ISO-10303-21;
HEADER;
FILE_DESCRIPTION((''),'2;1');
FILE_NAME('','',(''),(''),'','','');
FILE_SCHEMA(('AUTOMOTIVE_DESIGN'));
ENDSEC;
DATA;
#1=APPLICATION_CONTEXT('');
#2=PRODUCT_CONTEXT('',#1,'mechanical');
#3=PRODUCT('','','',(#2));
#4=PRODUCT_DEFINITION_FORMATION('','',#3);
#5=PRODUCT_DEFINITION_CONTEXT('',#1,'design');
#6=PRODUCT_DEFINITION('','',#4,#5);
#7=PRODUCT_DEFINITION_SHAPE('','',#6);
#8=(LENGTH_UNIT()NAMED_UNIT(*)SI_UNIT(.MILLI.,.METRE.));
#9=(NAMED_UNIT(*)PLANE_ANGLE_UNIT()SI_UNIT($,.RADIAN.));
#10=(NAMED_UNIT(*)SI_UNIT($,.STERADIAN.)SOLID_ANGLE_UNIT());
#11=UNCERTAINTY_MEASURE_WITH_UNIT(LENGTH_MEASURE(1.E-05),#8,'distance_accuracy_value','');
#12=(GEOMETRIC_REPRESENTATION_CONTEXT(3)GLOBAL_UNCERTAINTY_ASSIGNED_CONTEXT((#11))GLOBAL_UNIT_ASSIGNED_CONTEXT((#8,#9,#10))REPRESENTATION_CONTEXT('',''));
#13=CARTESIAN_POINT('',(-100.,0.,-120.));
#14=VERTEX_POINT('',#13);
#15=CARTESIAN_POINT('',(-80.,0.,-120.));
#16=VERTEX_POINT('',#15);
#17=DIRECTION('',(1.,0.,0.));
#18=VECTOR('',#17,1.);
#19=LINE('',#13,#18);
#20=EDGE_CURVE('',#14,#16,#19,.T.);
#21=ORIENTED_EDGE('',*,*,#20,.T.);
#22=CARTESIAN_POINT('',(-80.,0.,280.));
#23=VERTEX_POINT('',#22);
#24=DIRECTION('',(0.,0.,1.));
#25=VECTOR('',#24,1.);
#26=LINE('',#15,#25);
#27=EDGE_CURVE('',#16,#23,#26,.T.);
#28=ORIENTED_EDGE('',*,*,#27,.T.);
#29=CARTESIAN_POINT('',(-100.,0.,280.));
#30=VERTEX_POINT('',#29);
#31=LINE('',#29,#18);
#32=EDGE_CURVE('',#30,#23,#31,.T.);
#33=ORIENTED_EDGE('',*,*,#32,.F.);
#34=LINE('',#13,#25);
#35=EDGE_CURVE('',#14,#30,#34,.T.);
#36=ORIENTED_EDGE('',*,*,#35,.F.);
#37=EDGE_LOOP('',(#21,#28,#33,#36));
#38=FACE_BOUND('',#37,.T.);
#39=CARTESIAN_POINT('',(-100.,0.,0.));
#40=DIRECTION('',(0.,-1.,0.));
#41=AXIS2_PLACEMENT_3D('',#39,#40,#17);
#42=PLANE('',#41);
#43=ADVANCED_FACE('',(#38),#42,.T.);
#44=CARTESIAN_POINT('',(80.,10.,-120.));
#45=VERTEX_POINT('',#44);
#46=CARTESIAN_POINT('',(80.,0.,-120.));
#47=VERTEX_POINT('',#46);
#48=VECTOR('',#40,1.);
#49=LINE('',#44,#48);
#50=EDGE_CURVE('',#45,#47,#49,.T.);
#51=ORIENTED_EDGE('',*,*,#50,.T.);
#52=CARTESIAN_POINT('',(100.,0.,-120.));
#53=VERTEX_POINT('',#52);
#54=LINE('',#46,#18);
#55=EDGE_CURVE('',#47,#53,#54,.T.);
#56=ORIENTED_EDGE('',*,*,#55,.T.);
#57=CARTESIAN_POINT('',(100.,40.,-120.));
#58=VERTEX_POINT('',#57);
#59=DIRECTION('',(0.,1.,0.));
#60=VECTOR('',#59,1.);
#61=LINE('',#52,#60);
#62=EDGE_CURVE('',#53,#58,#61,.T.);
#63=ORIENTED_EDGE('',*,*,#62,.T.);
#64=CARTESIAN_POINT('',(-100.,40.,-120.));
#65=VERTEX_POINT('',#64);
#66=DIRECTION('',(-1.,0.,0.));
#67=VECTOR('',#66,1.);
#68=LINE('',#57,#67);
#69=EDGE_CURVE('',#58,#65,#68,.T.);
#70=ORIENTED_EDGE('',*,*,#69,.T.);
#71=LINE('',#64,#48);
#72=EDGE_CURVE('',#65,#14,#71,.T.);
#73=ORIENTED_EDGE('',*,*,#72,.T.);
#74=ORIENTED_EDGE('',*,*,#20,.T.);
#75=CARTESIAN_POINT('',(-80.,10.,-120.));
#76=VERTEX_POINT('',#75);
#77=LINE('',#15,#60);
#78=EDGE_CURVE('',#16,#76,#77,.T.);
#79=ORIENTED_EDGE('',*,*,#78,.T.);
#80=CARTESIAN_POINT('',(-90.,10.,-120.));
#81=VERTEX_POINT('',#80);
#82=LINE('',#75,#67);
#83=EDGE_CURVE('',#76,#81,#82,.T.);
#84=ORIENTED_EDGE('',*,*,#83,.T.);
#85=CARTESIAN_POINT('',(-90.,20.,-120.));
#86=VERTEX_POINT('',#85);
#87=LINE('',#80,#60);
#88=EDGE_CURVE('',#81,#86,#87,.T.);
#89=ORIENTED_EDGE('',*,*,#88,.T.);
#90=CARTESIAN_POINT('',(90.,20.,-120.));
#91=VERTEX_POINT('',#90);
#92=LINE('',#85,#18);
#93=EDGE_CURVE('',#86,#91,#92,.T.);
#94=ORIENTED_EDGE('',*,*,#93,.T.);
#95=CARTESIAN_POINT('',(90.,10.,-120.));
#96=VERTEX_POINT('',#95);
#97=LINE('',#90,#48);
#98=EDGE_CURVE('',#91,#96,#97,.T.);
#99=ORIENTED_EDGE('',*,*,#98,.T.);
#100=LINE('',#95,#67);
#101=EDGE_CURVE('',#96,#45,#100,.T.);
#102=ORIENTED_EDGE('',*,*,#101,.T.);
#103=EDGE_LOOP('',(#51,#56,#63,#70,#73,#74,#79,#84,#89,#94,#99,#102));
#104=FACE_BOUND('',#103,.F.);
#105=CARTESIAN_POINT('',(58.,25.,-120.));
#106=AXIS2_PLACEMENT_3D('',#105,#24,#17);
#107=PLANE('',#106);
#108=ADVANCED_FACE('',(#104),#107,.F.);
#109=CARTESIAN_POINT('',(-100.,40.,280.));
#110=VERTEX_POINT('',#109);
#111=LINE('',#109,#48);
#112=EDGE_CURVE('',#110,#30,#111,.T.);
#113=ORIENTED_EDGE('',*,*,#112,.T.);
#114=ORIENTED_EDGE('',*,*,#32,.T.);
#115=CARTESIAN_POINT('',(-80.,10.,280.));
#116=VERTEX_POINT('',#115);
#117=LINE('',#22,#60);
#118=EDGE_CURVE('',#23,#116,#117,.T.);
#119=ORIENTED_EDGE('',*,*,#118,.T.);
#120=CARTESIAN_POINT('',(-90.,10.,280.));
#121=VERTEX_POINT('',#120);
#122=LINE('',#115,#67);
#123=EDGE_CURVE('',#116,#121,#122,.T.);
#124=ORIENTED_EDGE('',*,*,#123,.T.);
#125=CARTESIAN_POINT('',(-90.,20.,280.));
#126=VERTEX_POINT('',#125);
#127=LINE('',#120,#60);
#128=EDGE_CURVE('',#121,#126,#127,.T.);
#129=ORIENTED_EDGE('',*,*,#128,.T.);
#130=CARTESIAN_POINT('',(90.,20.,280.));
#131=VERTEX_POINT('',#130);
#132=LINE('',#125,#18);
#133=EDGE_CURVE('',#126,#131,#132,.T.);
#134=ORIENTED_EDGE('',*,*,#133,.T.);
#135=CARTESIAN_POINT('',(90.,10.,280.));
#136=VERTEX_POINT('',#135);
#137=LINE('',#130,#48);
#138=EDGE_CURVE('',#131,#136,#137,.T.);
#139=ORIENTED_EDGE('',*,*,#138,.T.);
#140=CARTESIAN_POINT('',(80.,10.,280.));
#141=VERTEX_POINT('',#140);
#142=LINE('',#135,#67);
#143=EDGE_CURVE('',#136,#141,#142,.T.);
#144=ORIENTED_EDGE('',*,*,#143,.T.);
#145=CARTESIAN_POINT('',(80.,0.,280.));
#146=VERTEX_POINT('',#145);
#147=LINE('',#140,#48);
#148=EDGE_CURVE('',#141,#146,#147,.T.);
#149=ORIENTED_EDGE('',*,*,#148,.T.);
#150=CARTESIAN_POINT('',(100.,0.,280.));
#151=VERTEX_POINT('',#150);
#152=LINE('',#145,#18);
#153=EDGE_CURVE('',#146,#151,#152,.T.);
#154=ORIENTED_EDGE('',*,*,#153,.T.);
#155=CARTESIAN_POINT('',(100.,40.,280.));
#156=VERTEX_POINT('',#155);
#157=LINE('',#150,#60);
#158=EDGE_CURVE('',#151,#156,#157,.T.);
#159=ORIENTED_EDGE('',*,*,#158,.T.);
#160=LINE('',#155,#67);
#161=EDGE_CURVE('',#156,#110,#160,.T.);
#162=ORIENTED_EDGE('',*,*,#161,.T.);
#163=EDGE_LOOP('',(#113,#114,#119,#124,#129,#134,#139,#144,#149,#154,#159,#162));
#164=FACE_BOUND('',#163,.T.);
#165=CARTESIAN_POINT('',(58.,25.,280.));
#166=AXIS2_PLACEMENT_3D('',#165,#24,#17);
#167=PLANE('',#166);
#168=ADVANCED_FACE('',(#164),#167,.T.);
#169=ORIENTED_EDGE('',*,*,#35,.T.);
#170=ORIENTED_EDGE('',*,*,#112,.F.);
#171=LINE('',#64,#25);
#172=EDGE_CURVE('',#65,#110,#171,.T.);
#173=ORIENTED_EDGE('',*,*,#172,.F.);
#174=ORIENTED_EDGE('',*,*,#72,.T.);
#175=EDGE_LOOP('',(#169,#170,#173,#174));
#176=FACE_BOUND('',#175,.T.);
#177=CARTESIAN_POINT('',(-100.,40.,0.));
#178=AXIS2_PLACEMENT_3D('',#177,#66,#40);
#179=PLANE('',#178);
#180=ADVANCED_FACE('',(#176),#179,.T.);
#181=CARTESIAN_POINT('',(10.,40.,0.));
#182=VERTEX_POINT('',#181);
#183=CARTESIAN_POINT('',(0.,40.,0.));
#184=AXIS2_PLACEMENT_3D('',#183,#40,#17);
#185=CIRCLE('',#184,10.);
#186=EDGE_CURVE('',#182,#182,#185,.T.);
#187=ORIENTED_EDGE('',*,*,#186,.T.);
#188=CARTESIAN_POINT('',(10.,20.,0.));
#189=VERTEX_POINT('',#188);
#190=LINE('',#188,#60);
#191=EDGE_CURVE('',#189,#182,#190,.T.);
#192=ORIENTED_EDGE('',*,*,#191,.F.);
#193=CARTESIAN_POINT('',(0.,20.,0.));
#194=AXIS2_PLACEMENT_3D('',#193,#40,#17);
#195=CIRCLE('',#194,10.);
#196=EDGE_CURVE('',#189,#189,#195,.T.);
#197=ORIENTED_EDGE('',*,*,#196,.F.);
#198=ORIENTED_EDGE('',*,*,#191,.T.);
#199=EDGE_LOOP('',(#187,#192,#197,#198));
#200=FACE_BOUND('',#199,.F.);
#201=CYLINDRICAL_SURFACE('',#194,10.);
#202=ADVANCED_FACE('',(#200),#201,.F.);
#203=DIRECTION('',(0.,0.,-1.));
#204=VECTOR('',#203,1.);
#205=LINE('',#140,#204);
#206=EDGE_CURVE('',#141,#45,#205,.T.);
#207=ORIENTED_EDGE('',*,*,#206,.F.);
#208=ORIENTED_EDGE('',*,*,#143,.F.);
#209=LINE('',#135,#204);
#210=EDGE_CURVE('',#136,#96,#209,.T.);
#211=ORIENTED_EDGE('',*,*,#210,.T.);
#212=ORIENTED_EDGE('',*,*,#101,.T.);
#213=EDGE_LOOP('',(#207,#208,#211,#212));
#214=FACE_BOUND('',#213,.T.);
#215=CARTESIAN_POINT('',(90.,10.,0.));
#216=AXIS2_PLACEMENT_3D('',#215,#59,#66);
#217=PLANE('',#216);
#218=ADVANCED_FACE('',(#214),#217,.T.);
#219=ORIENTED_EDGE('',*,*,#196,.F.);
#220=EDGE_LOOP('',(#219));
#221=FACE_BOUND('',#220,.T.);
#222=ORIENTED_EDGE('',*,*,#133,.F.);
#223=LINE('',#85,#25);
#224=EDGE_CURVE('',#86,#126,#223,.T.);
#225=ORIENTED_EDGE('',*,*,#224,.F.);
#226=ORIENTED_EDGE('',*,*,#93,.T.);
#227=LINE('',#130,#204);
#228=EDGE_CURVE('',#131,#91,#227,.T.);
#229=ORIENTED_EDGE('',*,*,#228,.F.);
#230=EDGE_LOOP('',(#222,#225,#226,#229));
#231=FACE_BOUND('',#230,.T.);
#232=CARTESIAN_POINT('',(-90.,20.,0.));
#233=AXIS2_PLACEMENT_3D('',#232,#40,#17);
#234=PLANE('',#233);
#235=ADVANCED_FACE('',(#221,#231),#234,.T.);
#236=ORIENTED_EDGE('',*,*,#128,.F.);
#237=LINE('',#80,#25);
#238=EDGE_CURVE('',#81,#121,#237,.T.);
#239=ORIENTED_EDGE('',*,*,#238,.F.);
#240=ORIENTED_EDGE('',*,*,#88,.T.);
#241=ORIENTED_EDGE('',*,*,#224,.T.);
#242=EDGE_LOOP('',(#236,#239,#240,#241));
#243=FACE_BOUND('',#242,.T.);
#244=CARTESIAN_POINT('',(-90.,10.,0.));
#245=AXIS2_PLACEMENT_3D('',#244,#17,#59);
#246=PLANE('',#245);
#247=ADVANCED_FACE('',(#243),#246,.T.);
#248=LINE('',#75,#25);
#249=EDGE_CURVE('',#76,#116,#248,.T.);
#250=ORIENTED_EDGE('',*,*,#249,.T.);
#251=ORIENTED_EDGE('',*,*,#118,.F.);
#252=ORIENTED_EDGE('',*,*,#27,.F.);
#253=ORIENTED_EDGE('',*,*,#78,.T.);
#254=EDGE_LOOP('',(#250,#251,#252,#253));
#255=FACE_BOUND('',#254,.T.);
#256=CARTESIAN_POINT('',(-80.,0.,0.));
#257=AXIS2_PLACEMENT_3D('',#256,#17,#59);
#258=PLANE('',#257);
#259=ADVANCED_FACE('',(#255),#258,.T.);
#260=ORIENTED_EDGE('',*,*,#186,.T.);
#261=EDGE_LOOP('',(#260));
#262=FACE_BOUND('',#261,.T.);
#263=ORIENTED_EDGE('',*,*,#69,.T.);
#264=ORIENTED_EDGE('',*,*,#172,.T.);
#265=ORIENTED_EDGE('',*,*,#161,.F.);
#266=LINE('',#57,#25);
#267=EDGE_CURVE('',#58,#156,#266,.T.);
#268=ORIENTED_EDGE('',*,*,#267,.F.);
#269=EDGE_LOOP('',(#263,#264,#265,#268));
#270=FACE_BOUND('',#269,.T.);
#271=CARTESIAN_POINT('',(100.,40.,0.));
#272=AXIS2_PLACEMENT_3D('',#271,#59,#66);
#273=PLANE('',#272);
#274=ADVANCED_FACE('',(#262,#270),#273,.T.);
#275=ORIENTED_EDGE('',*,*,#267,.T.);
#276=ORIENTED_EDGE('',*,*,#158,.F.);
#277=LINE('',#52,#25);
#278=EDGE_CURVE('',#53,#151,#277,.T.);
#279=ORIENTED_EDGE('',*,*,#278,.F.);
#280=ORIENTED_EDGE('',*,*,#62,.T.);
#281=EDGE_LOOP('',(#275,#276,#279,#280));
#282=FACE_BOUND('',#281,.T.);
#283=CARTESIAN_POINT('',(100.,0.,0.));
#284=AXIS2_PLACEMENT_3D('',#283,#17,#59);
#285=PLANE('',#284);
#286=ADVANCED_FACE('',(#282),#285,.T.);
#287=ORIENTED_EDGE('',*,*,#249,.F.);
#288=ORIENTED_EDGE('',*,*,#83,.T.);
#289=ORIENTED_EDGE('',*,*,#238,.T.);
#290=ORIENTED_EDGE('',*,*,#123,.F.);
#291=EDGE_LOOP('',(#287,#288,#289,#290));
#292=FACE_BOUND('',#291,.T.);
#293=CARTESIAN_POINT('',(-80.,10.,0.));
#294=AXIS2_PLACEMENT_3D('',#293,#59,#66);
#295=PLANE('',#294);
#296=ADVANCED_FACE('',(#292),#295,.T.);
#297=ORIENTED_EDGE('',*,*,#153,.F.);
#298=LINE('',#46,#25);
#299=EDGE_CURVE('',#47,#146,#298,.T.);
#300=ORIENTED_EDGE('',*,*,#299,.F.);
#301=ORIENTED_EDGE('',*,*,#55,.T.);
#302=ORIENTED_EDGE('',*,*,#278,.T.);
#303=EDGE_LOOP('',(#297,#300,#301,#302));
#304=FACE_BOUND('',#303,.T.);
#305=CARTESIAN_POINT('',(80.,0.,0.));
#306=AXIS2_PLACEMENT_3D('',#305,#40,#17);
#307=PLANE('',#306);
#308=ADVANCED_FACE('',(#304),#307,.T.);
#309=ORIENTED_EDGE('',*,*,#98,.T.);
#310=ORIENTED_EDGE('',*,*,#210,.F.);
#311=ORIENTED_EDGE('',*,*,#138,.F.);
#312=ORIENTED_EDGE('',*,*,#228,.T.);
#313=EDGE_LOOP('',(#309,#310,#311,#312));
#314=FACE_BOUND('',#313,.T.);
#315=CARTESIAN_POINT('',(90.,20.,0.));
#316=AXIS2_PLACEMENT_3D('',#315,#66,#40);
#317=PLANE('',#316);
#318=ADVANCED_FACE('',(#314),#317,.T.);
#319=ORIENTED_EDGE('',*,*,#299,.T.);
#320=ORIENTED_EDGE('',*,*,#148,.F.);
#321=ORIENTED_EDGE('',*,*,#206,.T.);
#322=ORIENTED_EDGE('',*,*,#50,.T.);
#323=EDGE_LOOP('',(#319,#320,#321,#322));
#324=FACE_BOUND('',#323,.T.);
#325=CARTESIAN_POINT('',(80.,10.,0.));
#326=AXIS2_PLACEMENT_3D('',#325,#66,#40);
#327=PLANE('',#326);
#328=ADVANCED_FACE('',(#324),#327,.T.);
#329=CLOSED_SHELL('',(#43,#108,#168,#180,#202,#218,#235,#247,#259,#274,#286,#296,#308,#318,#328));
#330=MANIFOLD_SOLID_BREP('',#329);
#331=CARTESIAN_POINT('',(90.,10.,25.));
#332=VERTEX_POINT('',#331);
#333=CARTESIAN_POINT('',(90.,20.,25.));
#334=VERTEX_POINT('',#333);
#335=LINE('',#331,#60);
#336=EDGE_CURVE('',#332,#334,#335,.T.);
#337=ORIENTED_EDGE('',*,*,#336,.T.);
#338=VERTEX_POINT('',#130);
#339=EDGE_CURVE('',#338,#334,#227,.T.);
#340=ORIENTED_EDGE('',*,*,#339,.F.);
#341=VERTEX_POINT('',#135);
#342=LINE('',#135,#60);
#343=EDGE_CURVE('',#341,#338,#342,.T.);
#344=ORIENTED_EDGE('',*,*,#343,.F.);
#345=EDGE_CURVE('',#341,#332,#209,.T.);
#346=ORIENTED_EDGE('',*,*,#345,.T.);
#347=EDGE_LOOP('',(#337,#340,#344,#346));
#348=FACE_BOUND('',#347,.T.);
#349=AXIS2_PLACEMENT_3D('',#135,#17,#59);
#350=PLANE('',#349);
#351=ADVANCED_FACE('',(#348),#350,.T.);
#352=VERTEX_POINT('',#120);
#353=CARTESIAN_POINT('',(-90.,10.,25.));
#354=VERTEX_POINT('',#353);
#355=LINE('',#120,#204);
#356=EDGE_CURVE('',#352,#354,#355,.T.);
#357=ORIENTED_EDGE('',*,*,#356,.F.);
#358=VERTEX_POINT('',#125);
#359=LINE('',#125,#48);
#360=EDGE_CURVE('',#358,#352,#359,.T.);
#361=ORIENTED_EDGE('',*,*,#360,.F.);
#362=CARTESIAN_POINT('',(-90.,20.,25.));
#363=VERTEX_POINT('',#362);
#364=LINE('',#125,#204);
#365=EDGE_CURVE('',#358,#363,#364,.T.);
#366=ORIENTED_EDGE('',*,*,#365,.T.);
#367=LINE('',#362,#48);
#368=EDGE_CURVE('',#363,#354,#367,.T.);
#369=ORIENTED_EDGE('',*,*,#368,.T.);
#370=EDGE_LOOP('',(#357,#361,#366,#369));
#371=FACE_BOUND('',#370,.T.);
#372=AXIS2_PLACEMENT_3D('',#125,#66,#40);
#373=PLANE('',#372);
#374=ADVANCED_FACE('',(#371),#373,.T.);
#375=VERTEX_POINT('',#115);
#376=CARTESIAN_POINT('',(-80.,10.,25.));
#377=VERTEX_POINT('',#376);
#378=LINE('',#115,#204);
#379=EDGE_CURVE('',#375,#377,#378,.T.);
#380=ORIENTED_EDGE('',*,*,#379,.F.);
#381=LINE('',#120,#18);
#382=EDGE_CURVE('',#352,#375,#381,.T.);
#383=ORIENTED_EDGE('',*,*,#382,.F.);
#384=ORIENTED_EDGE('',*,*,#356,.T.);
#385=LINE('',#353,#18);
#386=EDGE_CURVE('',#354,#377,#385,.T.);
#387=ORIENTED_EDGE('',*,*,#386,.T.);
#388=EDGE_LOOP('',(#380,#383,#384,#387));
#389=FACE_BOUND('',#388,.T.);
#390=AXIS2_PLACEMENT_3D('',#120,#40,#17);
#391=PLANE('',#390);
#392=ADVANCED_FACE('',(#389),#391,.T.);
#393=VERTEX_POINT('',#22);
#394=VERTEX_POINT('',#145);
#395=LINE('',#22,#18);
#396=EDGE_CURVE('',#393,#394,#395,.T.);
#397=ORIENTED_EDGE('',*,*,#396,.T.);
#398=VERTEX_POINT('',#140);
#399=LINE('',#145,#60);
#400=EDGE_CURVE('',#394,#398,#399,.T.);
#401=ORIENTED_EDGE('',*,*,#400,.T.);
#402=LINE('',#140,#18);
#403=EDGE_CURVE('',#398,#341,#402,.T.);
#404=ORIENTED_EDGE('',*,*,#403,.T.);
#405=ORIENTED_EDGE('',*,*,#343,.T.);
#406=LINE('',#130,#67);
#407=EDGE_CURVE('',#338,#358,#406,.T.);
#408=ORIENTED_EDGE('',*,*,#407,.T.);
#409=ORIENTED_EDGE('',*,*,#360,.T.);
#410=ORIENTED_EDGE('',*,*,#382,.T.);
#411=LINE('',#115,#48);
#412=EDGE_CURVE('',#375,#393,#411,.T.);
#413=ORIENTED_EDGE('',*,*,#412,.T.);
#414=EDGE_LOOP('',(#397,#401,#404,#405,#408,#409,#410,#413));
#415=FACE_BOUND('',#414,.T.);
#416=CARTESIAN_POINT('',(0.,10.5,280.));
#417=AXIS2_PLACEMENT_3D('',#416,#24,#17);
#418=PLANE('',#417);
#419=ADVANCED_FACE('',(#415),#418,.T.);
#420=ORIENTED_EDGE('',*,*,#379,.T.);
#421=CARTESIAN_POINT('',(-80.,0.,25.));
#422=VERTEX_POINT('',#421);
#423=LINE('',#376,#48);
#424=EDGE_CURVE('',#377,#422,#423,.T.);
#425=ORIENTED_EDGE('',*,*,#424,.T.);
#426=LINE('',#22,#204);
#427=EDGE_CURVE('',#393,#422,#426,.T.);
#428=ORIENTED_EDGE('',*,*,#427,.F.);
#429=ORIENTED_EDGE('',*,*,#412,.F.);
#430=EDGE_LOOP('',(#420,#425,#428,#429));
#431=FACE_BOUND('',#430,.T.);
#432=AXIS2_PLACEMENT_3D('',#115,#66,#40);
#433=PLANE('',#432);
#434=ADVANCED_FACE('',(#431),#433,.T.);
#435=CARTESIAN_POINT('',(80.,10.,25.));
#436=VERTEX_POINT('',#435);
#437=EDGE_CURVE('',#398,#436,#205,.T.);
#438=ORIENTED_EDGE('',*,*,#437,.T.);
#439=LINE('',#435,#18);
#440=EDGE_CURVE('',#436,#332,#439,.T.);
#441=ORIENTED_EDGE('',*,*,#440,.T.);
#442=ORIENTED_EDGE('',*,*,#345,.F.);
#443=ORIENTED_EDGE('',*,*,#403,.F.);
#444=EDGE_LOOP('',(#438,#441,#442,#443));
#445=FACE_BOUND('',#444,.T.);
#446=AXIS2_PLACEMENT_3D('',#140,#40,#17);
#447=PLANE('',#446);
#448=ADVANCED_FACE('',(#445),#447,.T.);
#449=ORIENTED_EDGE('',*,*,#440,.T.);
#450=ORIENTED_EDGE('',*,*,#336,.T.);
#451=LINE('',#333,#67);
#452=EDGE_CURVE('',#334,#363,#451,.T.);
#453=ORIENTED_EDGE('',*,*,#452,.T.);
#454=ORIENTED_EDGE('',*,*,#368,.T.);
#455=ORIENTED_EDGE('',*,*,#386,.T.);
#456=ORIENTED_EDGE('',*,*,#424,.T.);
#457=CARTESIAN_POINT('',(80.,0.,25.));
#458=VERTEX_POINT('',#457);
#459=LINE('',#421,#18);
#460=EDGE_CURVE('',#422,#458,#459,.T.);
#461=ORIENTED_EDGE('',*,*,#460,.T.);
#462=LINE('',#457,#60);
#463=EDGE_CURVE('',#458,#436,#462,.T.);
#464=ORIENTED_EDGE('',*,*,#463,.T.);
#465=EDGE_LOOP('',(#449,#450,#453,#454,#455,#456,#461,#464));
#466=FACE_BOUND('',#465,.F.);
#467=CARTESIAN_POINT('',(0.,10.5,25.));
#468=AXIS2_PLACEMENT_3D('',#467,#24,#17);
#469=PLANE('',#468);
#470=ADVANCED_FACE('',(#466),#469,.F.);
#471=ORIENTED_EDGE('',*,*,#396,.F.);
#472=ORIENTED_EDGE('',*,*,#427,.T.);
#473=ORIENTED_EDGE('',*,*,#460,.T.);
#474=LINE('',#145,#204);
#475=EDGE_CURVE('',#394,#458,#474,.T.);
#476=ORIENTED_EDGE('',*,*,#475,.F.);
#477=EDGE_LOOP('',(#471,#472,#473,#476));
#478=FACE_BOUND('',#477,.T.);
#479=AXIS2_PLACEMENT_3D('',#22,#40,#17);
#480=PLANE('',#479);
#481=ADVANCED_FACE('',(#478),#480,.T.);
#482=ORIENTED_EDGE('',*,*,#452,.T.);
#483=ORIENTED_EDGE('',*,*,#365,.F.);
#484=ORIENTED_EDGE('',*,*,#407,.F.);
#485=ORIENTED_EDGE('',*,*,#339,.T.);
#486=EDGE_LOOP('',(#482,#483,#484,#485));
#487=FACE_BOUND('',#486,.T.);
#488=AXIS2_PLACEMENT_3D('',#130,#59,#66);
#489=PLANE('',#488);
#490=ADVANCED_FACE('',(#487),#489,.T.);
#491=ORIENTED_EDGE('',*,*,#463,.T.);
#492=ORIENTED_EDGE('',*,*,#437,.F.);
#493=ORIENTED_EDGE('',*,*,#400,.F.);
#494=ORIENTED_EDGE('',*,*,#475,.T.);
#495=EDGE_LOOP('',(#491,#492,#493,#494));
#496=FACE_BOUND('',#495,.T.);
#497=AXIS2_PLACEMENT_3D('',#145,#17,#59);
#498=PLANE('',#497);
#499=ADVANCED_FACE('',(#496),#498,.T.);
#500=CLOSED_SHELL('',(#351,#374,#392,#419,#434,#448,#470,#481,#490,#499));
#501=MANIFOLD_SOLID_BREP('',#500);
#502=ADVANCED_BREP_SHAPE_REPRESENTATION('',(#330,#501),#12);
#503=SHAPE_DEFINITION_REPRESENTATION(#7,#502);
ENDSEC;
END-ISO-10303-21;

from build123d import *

# Parameters (mm, degrees)
F1_DEPTH      = 280
F1_DEPTH_BACK = 120
F2_R          = 10
F3_DEPTH      = 20
F5_DEPTH      = 255


with BuildPart() as f1:
    # F0 (on Top) → F1 (new body, two sides)
    with BuildSketch(Plane.XY) as f1_sk:
        Polygon((80, 10), (80, 0), (100, 0), (100, 40), (0, 40), (0, 20), (90, 20), (90, 10), align=None)
        Polygon((0, 20), (0, 40), (-100, 40), (-100, 0), (-80, 0), (-80, 10), (-90, 10), (-90, 20), align=None)
    extrude(amount=F1_DEPTH)
    extrude(f1_sk.sketch, amount=-F1_DEPTH_BACK)

    # F2 (on face) → F3 (cut)
    with BuildSketch(Plane.XZ.offset(-20)):
        Circle(F2_R)
    extrude(amount=-F3_DEPTH, mode=Mode.SUBTRACT)


with BuildPart() as f5:
    # F4 (on face) → F5 (new body)
    with BuildSketch(Plane.XY.offset(280)):
        Polygon((90, 20), (-90, 20), (-90, 10), (-80, 10), (-80, 0), (80, 0), (80, 10), (90, 10), align=None)
    extrude(amount=-F5_DEPTH)


solid = Compound([f1.part, f5.part])
